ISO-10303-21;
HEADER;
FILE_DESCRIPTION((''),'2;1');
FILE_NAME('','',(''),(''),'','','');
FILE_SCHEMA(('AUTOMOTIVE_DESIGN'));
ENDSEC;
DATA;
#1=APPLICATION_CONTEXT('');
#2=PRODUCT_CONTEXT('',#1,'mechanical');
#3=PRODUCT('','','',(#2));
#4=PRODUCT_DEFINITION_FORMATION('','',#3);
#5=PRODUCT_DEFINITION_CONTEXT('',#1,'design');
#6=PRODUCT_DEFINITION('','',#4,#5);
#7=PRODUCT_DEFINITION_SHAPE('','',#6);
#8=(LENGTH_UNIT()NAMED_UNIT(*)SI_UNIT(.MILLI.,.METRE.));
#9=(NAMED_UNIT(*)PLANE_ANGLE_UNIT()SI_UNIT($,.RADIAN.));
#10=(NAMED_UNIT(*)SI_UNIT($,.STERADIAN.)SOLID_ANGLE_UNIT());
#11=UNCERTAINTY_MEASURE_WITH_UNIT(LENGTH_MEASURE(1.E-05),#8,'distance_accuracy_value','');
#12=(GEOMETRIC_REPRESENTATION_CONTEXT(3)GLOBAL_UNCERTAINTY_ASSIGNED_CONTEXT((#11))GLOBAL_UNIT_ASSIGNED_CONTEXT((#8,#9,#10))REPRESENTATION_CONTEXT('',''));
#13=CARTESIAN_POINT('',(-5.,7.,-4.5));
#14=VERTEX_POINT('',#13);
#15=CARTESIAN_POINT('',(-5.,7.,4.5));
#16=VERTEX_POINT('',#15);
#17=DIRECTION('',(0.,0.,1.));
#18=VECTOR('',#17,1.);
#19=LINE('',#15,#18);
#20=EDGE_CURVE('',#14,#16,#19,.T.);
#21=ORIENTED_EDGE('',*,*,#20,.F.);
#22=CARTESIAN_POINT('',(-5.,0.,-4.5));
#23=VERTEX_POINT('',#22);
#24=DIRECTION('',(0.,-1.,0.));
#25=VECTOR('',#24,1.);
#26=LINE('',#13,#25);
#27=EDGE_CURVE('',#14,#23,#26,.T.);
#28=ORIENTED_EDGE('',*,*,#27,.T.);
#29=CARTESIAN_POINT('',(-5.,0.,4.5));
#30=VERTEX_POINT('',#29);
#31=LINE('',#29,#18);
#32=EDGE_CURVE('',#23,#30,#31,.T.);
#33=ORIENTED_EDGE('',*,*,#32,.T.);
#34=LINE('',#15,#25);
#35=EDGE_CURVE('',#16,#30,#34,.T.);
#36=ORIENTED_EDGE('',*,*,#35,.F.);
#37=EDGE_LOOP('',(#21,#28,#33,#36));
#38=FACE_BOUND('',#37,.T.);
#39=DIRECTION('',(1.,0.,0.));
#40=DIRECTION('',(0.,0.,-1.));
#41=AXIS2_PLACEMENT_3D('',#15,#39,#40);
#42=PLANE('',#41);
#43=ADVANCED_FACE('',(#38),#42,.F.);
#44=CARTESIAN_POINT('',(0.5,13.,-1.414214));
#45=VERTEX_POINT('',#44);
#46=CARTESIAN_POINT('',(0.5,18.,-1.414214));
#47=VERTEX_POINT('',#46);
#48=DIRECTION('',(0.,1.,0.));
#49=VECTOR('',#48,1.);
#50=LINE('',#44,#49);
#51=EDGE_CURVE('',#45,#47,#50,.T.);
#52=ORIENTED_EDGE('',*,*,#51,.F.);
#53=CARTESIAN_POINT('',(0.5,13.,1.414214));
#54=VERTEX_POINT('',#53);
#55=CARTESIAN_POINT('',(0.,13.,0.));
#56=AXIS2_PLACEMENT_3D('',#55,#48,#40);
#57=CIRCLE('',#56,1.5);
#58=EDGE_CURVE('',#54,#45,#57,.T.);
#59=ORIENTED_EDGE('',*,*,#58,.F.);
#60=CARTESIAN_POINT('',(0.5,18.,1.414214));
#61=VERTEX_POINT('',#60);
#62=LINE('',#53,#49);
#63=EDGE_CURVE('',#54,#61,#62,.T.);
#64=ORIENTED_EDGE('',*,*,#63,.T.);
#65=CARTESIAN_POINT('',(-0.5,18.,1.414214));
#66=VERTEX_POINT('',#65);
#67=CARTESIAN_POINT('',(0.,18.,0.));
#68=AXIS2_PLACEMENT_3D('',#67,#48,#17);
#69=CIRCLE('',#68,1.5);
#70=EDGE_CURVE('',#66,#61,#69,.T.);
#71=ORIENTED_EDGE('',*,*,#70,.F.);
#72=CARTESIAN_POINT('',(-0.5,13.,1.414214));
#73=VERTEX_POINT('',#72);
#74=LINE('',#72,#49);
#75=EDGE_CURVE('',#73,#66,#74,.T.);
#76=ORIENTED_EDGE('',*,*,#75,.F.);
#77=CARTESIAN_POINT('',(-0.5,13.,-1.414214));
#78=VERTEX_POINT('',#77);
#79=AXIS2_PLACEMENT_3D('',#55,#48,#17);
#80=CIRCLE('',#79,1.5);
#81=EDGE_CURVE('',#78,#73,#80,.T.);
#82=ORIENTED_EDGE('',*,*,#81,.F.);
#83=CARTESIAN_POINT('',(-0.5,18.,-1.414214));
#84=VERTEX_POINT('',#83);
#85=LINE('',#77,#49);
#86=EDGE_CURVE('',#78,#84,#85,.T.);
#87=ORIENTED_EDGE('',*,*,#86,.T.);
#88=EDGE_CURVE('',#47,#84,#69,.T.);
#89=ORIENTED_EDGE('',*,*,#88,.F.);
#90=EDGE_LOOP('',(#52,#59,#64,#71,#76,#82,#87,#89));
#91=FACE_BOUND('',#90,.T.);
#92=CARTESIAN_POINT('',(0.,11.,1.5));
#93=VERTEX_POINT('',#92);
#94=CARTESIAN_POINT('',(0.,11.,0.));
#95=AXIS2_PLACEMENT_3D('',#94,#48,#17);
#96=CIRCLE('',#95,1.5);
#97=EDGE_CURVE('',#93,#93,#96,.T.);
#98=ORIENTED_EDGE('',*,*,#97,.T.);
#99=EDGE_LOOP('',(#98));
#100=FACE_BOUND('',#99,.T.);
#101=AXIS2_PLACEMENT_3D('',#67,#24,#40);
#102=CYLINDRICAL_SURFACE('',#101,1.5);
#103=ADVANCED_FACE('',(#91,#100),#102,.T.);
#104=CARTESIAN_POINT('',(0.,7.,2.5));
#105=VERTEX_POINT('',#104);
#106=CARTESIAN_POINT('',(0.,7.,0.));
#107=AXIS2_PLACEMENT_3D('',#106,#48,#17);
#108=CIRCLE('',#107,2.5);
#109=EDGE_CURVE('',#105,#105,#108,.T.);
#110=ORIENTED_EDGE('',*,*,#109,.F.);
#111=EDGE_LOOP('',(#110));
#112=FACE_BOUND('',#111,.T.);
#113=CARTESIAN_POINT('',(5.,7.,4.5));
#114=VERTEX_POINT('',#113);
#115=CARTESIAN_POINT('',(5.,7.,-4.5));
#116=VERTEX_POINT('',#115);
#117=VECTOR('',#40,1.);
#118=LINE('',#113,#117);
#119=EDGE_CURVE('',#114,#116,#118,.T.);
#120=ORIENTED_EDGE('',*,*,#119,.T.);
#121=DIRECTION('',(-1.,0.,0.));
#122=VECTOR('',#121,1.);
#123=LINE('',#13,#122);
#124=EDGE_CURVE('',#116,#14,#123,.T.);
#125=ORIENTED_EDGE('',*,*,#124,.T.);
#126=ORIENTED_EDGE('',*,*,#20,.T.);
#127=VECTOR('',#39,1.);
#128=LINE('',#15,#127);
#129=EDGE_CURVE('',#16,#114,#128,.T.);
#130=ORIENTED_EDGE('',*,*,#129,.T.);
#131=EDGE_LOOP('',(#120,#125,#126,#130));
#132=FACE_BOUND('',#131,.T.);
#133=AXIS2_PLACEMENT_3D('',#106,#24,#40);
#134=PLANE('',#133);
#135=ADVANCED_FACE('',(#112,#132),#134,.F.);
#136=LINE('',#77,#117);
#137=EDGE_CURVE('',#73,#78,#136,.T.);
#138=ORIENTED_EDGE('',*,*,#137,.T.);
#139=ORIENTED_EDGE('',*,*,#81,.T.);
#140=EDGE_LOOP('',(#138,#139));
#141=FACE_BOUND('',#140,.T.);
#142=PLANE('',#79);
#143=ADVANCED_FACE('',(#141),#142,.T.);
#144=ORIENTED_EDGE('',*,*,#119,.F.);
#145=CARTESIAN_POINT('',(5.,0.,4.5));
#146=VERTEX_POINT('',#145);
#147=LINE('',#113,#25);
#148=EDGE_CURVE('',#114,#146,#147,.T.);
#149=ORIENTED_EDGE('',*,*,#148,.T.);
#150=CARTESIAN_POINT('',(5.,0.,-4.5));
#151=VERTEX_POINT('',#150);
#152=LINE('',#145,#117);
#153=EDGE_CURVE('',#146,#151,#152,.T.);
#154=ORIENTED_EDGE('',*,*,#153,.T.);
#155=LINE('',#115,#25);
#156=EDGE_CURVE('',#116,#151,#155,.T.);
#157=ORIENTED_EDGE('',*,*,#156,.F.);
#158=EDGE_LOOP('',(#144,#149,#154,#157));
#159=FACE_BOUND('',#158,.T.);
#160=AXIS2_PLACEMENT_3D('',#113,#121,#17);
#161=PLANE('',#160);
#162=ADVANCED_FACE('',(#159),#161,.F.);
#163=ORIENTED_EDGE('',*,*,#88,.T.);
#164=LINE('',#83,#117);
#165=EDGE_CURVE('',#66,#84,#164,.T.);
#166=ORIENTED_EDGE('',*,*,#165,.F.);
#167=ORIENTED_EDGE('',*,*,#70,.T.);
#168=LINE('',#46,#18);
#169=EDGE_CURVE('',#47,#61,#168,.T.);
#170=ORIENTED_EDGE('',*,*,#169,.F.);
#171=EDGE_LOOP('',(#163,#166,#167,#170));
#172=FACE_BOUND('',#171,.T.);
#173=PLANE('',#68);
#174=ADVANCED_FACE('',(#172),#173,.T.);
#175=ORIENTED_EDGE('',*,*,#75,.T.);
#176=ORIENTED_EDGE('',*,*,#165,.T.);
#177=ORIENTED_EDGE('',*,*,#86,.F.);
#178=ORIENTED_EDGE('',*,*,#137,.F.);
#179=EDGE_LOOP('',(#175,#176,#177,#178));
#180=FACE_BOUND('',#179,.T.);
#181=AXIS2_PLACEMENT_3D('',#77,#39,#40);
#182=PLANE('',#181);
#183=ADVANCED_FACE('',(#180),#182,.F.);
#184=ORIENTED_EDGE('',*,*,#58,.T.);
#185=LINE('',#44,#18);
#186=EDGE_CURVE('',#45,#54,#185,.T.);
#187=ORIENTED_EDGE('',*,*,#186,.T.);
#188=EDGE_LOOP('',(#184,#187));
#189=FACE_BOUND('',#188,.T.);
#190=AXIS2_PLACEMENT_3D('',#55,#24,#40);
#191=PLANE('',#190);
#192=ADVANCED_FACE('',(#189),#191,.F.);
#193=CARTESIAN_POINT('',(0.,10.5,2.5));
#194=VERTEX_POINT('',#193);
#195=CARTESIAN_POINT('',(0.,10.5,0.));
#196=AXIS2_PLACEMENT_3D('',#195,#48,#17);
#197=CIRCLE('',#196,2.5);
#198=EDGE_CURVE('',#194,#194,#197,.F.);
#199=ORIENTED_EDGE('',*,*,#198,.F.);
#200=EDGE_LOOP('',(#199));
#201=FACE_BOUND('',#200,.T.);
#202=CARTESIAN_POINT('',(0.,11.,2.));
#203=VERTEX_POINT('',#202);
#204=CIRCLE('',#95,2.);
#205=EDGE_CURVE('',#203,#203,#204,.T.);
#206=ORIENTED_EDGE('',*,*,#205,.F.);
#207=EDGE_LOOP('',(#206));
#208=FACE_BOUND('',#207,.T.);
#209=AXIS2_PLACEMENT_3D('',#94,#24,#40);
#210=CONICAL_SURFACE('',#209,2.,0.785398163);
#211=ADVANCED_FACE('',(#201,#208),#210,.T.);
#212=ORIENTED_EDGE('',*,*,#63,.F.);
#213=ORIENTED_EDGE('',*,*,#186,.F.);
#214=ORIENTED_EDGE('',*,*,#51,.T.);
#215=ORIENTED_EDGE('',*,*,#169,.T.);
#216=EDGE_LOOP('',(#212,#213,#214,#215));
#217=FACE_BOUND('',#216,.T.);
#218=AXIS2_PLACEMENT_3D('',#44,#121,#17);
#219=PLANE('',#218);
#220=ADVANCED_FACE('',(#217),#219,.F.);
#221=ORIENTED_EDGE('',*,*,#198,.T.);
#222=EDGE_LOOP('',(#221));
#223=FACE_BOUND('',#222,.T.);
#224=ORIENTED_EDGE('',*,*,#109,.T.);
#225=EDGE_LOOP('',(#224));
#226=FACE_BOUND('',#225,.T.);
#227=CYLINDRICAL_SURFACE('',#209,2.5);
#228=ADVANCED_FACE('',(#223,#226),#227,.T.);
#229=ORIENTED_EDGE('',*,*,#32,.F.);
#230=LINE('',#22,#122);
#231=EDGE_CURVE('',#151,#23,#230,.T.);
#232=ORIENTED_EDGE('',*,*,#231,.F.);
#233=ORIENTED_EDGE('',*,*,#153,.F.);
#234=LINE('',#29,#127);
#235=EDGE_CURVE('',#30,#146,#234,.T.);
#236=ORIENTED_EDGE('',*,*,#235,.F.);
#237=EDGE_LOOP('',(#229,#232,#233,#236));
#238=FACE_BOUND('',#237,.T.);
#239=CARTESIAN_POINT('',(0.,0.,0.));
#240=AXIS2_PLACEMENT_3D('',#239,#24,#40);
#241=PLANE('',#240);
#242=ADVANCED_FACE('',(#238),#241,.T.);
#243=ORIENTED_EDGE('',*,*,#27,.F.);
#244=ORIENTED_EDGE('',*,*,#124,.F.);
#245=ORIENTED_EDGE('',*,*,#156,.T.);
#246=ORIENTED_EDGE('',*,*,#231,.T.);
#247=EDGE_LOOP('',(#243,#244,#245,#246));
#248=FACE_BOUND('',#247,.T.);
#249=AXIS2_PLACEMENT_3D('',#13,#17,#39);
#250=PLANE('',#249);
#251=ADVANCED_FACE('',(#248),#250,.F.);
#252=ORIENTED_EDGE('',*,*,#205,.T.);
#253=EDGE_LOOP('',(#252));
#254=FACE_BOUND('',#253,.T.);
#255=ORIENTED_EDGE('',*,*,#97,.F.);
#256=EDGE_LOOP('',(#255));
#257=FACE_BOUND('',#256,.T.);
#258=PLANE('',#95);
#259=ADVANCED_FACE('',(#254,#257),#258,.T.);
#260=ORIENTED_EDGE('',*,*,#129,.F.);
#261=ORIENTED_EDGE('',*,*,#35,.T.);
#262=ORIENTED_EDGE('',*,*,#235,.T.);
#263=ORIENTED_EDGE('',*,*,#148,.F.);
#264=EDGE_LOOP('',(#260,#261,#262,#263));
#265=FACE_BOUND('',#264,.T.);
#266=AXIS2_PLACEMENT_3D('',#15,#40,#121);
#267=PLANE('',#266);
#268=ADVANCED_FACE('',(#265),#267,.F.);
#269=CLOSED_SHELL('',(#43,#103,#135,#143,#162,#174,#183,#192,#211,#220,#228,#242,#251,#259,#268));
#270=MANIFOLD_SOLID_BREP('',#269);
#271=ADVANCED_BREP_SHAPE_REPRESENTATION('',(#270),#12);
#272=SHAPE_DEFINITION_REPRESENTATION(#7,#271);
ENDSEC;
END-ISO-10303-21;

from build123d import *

# Parameters (mm, degrees)
SKETCH_1_W          = 10
SKETCH_1_H          = 9
EXTRUDE_1_DEPTH     = 7
SKETCH_2_R          = 2.5
EXTRUDE_2_DEPTH     = 4
CHAMFER_1_SIZE      = 0.5
SKETCH_3_R          = 1.5
EXTRUDE_3_DEPTH     = 7
CUT_EXTRUDE_START   = -5
CUT_EXTRUDE_1_DEPTH = 5


with BuildPart() as part:
    # 草图1 → 凸台-拉伸1 (new body)
    with BuildSketch(Plane(origin=(0, 0, 0), x_dir=(1, 0, 0), z_dir=(0, 1, 0))):
        Rectangle(SKETCH_1_W, SKETCH_1_H)
    extrude(amount=EXTRUDE_1_DEPTH)

    # 草图2 → 凸台-拉伸2 (add)
    with BuildSketch(Plane(origin=(0, 7, 0), x_dir=(1, 0, 0), z_dir=(0, 1, 0))):
        with Locations(Location((0, 0, 0), (0, 0, 270))):
            Circle(SKETCH_2_R)
    extrude(amount=EXTRUDE_2_DEPTH)

    # 倒角1
    chamfer_1_edges = [part.edges().sort_by_distance(p)[0] for p in [
        (0, 11, -2.5),
    ]]
    chamfer(chamfer_1_edges, length=CHAMFER_1_SIZE)

    # 草图3 → 凸台-拉伸3 (add)
    with BuildSketch(Plane(origin=(0, 11, 0), x_dir=(1, 0, 0), z_dir=(0, 1, 0))):
        with Locations(Location((0, 0, 0), (0, 0, 270))):
            Circle(SKETCH_3_R)
    extrude(amount=EXTRUDE_3_DEPTH)

    # 草图4 → 切除-拉伸1 (cut)
    with BuildSketch(Plane(origin=(0, 18, 0), x_dir=(1, 0, 0), z_dir=(0, 1, 0)).offset(CUT_EXTRUDE_START)):
        with BuildLine():
            Line((-0.5, 1.414213562), (-0.5, -1.414213562))
            ThreePointArc((-0.5, -1.414213562), (-1.5, 0), (-0.5, 1.414213562))
        make_face()
        with BuildLine():
            Line((0.5, 1.414213562), (0.5, -1.414213562))
            ThreePointArc((0.5, -1.414213562), (1.5, 0), (0.5, 1.414213562))
        make_face()
    extrude(amount=CUT_EXTRUDE_1_DEPTH, mode=Mode.SUBTRACT)


solid = part.part
